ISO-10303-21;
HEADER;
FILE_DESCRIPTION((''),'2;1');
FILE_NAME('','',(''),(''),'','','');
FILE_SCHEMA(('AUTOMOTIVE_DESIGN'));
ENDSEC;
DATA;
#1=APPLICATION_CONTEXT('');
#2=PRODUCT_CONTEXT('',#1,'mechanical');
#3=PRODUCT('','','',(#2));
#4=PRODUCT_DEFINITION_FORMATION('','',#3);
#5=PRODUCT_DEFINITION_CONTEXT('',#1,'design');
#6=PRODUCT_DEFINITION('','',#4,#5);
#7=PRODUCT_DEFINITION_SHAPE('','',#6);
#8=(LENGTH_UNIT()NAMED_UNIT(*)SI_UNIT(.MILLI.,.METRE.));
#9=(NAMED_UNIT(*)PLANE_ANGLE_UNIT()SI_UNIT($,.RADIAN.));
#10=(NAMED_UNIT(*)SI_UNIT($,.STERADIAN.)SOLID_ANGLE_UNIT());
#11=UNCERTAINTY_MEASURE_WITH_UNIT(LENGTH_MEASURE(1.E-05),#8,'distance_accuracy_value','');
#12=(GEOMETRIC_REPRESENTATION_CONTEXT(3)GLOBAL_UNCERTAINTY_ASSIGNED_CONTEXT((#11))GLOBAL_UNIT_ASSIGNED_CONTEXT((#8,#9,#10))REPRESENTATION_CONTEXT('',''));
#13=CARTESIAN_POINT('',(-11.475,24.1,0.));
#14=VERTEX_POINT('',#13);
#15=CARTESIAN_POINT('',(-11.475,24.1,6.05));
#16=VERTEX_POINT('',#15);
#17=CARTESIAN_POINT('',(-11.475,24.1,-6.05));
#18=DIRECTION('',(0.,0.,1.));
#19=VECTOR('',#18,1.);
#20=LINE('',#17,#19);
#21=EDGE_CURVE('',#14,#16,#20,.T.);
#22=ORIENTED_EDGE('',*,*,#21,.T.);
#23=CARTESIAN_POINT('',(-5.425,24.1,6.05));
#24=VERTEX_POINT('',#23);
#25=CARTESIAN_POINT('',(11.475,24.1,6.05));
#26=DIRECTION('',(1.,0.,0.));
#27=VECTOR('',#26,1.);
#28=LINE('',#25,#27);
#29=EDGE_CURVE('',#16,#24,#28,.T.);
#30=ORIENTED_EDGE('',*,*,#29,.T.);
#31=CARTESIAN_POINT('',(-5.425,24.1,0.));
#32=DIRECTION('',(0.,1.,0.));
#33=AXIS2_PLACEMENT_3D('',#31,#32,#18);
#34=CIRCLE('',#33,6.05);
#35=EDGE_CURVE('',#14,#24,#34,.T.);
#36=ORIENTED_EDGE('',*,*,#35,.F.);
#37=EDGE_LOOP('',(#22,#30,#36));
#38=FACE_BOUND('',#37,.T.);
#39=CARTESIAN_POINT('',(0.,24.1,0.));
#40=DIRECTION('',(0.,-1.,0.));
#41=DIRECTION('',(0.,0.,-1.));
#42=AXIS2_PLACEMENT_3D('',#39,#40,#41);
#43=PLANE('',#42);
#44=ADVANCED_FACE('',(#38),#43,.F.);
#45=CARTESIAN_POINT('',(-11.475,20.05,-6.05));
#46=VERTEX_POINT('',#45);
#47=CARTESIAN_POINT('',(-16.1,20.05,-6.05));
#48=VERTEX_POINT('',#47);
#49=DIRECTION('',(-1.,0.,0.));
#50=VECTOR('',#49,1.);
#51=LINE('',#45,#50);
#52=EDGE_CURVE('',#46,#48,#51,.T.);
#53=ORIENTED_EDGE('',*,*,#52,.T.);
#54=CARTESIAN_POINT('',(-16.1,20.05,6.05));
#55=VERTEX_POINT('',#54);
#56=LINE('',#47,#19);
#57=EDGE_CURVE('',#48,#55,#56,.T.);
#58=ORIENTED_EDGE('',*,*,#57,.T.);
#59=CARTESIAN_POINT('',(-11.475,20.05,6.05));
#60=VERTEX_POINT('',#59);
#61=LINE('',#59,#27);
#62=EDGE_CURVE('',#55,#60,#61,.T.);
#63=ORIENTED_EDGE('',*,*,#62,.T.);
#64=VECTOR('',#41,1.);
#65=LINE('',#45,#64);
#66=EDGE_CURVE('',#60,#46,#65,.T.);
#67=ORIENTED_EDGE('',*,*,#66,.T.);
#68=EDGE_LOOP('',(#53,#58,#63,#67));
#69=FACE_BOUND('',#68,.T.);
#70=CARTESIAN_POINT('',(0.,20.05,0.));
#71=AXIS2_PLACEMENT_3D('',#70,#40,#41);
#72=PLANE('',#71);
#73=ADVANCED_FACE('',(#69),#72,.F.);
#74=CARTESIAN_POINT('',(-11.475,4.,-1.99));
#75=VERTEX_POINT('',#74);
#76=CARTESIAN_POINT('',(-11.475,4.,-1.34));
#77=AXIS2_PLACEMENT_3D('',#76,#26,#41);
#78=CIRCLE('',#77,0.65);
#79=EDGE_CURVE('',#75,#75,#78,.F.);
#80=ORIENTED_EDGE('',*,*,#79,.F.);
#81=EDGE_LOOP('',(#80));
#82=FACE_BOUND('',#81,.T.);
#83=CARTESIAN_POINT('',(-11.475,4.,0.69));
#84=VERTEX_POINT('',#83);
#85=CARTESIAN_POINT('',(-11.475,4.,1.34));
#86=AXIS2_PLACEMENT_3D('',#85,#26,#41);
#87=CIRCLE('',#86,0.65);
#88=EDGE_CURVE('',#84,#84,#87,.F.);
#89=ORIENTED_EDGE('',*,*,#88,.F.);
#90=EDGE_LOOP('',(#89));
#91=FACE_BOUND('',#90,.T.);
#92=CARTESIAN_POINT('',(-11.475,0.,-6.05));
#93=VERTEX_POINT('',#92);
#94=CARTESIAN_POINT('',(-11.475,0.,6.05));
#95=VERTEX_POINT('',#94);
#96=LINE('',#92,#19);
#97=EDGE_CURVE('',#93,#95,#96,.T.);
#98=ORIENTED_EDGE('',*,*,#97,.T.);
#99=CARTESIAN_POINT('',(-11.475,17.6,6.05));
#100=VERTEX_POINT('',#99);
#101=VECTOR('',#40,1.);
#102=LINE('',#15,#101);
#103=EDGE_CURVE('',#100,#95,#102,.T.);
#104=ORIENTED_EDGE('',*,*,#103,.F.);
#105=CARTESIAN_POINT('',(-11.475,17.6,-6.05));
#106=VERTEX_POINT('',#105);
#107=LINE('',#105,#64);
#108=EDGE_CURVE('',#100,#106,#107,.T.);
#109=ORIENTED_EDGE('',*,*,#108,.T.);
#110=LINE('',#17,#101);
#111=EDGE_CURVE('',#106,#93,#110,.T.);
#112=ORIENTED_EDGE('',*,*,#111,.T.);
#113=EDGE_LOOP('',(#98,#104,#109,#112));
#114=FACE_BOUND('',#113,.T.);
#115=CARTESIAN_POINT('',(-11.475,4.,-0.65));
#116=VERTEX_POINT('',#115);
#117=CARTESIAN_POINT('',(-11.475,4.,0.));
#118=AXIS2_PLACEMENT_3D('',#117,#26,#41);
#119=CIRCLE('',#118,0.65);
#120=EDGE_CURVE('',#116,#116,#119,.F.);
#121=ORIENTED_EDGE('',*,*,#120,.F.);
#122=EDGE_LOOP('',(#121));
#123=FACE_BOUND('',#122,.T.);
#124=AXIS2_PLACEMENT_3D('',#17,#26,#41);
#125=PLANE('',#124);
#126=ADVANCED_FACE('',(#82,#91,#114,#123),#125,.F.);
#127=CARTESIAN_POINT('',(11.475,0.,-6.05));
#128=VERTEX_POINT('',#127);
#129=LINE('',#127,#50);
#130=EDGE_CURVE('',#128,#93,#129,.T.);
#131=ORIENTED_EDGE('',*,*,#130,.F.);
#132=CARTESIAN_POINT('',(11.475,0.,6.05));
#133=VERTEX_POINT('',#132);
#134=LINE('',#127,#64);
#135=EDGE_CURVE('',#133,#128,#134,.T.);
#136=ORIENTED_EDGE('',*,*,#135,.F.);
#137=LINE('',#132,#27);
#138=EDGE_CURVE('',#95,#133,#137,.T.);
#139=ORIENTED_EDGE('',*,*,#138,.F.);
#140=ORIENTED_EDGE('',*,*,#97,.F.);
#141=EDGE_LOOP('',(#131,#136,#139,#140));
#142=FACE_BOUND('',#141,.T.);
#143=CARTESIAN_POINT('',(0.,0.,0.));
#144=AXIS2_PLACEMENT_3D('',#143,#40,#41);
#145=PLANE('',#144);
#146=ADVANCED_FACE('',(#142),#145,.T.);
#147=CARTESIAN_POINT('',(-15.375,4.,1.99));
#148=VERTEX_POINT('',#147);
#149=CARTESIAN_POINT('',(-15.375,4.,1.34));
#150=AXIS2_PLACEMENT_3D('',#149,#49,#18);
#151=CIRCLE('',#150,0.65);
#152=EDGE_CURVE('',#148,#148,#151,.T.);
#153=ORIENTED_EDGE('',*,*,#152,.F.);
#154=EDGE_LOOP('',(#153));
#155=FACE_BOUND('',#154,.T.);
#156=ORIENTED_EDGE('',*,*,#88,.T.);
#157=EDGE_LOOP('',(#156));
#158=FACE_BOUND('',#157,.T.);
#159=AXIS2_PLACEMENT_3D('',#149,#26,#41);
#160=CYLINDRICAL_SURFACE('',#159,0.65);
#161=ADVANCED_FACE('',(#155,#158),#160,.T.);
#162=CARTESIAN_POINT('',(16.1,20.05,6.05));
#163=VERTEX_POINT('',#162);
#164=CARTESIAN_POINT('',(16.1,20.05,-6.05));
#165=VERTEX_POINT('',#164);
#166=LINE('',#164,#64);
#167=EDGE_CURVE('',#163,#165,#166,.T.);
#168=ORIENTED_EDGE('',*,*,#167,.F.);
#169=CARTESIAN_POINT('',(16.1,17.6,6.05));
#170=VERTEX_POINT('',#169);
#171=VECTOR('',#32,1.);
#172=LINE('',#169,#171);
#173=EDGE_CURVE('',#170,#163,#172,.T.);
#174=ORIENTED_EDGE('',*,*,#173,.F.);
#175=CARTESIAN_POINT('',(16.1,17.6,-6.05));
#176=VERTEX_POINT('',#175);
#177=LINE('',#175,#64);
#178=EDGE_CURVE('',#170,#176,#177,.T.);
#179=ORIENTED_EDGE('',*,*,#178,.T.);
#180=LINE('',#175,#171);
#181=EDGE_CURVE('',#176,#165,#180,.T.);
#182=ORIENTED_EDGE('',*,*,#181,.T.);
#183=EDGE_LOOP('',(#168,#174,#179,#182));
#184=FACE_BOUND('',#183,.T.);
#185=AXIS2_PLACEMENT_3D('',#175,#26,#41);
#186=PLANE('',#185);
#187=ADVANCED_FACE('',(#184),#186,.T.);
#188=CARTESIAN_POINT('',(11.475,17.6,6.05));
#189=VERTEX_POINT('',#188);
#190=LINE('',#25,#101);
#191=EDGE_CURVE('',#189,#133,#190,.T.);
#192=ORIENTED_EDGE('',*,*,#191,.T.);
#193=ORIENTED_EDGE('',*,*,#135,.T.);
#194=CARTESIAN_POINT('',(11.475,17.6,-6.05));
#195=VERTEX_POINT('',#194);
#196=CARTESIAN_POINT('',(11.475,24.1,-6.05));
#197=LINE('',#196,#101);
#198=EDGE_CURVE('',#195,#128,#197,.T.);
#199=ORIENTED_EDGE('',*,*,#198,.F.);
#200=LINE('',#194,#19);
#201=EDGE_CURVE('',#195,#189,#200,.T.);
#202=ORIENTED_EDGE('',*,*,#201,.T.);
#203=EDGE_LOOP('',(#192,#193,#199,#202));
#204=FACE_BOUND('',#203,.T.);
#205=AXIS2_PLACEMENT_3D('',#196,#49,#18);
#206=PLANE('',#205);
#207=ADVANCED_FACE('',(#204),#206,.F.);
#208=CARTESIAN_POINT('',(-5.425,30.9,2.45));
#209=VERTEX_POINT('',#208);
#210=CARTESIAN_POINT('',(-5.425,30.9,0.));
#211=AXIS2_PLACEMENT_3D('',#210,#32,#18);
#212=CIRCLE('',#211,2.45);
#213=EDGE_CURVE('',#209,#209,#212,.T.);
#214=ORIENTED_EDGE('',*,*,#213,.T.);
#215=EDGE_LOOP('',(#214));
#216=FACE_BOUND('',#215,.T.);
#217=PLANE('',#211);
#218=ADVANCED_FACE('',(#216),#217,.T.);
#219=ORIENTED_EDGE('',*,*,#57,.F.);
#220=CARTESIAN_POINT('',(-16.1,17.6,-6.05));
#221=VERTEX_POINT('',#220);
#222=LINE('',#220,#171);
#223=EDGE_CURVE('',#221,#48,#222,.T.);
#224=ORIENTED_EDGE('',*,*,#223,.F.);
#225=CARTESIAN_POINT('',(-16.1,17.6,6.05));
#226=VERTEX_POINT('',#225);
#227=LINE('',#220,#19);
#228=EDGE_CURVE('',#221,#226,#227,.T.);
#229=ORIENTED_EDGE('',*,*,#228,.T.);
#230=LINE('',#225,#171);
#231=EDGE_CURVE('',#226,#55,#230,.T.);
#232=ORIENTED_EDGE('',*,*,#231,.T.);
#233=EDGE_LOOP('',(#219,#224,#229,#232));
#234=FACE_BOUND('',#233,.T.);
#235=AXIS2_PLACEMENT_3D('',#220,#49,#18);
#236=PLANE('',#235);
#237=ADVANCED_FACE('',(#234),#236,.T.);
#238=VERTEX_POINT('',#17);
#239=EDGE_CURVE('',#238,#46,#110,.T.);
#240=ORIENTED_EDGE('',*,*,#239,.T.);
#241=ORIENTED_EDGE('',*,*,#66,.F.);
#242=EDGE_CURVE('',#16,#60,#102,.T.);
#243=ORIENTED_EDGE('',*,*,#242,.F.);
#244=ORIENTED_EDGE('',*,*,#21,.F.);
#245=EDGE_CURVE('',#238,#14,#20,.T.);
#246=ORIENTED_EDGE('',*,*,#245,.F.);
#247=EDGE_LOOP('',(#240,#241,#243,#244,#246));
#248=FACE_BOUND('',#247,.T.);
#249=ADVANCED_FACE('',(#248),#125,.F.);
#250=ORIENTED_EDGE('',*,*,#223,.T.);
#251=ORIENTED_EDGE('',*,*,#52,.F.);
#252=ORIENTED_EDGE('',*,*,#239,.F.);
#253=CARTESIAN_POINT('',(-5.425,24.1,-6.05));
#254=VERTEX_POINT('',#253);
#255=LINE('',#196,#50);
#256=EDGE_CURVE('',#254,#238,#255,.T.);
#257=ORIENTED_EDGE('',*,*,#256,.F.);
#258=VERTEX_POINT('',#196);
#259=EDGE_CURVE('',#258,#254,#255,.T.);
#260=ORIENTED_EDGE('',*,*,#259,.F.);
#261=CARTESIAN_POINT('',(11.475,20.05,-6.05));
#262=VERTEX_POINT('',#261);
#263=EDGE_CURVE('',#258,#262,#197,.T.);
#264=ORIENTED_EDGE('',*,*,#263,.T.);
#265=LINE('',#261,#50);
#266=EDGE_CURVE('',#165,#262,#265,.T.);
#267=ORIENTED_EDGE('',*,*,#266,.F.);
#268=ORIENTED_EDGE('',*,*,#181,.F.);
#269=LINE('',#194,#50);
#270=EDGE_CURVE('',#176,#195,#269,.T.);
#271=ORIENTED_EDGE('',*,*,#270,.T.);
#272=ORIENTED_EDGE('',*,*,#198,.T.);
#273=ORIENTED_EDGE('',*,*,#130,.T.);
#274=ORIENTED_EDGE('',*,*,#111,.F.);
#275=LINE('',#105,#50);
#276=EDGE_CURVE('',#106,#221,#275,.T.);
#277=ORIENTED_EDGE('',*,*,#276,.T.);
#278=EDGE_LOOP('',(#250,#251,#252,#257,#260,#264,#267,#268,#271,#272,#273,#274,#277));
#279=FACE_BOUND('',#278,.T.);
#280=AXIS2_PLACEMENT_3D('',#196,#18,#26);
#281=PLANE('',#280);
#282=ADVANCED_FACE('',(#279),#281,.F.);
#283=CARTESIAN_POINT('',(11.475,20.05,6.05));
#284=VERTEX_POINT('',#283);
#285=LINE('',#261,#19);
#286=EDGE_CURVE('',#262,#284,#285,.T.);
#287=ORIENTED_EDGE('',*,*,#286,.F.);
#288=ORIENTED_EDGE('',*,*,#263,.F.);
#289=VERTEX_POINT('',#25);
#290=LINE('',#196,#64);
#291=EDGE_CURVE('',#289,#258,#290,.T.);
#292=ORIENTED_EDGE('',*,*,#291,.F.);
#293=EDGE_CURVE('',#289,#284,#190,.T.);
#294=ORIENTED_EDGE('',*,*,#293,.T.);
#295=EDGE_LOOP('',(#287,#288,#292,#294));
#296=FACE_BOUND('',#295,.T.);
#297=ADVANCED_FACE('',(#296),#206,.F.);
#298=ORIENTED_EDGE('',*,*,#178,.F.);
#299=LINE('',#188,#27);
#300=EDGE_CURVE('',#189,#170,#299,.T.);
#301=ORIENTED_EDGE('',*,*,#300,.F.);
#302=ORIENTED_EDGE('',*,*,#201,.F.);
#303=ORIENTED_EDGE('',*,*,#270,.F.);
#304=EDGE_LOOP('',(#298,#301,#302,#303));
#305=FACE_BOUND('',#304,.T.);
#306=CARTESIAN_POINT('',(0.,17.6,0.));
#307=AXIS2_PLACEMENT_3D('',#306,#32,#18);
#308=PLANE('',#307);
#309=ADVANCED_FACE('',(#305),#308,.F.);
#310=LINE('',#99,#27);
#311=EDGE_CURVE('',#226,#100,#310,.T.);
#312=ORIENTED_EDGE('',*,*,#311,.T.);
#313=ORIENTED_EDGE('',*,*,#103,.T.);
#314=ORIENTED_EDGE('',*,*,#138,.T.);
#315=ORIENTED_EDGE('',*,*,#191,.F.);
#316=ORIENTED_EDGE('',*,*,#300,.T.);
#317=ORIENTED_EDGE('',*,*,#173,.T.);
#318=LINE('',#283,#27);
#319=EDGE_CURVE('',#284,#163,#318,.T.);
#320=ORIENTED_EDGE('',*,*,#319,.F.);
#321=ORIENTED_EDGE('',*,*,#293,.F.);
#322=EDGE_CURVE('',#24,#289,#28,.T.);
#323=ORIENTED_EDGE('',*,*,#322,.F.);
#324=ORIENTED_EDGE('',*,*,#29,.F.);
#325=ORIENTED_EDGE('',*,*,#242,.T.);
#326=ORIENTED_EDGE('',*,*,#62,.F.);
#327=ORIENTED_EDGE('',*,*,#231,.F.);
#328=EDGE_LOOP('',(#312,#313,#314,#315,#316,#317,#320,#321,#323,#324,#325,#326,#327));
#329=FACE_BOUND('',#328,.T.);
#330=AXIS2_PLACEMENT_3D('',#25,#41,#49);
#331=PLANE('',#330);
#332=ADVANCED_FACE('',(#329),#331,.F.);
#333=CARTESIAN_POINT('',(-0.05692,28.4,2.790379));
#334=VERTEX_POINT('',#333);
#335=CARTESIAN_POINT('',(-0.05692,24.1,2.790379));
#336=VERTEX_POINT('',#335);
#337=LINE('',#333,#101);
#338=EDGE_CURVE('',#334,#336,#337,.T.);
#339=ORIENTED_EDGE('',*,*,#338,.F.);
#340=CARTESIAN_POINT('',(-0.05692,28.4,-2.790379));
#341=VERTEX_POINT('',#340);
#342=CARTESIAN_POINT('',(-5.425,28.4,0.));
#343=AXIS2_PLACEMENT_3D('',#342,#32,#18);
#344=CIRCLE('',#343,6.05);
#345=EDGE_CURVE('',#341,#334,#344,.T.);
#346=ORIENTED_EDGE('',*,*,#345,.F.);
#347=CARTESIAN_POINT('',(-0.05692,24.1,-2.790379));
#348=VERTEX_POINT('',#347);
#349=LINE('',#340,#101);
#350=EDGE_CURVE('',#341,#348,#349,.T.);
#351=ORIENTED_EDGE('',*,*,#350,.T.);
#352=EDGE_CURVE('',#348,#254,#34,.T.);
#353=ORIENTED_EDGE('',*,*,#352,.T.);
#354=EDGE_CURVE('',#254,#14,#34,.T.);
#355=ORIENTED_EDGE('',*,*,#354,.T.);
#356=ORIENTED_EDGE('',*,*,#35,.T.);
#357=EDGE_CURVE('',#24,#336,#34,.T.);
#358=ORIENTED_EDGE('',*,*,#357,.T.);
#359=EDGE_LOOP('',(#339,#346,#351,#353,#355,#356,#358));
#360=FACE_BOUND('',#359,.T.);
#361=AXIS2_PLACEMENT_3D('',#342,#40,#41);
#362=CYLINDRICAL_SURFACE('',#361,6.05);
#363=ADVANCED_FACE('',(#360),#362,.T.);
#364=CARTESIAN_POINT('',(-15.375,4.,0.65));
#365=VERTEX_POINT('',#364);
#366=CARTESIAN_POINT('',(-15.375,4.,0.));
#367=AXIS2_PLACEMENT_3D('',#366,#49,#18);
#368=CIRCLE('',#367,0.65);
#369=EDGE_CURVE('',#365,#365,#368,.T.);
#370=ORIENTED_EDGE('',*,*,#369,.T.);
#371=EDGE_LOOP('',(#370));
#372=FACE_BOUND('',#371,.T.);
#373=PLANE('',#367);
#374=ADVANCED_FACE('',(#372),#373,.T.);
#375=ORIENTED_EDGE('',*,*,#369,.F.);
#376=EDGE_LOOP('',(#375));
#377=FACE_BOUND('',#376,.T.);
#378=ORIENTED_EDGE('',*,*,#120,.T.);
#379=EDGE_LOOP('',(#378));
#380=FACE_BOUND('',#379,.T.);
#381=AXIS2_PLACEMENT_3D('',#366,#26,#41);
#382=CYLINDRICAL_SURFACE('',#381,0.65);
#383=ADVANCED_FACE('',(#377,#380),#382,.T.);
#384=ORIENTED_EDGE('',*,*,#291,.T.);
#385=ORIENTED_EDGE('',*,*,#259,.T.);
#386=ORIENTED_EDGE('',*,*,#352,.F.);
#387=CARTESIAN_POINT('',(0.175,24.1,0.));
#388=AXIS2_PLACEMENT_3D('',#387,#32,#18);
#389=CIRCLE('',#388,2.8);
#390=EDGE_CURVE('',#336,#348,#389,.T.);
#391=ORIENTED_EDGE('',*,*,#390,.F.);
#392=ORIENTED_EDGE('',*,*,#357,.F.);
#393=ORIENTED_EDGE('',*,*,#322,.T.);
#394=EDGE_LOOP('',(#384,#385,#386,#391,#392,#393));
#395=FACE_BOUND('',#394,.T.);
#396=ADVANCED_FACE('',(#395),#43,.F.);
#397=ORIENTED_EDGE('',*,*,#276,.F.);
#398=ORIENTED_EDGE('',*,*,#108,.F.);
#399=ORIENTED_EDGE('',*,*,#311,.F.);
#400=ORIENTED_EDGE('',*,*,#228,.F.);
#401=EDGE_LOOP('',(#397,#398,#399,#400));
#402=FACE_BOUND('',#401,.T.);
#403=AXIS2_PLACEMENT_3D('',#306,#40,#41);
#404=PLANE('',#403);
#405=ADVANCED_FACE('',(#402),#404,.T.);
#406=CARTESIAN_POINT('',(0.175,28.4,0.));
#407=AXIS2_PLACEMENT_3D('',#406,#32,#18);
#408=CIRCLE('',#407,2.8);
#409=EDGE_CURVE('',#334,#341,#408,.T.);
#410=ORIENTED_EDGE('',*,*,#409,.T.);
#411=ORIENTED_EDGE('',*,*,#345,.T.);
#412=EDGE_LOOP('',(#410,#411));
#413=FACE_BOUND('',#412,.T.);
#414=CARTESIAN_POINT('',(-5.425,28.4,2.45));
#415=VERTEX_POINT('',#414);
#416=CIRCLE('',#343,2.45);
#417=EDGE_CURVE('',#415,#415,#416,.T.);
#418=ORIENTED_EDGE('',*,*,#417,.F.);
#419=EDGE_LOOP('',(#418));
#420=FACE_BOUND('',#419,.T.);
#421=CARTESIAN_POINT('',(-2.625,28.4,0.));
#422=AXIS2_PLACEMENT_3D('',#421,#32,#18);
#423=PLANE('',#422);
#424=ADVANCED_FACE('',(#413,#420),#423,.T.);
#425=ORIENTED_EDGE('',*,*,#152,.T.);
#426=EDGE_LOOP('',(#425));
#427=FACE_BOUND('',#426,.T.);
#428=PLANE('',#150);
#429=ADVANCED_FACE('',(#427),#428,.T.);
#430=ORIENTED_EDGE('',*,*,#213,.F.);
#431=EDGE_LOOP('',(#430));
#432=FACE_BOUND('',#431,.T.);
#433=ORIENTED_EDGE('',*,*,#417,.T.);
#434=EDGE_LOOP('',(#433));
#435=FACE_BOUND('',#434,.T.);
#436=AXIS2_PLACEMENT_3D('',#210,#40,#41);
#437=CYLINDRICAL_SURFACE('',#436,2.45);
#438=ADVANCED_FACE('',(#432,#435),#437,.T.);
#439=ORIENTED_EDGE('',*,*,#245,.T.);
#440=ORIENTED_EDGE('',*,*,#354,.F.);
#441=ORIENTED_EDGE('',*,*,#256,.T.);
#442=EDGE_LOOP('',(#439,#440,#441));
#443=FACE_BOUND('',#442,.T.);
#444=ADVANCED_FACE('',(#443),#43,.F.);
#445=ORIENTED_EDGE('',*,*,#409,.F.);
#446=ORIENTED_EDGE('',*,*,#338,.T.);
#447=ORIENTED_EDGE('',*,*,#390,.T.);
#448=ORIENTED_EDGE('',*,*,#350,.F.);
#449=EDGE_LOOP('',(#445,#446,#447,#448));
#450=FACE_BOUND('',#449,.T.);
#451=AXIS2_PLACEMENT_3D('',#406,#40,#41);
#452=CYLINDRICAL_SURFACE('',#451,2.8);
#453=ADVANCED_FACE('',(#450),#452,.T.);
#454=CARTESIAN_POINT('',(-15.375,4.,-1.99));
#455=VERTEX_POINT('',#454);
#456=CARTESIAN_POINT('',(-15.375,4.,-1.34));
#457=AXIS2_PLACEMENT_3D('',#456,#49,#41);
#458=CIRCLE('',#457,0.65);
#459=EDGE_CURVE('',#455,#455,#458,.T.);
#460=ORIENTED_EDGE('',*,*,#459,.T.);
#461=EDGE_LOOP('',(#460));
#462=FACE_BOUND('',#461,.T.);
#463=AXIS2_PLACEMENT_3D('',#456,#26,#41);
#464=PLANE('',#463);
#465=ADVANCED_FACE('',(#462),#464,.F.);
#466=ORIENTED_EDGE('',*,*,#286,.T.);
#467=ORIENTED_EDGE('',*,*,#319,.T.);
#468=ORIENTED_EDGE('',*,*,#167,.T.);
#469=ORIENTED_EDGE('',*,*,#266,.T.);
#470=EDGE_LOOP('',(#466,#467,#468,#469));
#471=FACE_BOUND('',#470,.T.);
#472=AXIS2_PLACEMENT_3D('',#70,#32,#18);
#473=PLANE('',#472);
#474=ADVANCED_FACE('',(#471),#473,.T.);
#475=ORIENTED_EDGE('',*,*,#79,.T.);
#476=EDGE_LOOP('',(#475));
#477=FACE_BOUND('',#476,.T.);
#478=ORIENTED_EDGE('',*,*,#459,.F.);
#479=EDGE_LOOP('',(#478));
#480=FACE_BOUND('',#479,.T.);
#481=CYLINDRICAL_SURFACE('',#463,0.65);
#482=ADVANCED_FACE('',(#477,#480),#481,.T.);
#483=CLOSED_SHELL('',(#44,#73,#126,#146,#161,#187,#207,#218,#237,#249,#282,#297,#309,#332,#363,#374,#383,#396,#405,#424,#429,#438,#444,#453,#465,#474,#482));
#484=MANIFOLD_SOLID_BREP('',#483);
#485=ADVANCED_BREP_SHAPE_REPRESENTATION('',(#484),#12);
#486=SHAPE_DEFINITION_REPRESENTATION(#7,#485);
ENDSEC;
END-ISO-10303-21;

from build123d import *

# Parameters (mm, degrees)
SKETCH1_W           = 22.95
SKETCH1_H           = 12.1
BOSS_EXTRUDE1_DEPTH = 24.1
BOSS_EXTRUDE2_DEPTH = 4.3
SKETCH3_W           = 4.625
SKETCH3_H           = 12.1
BOSS_EXTRUDE3_DEPTH = 2.45
SKETCH4_R           = 2.45
BOSS_EXTRUDE4_DEPTH = 2.5
SKETCH5_R           = 0.65
BOSS_EXTRUDE7_DEPTH = 3.9


with BuildPart() as part:
    # Sketch1 → Boss-Extrude1 (new body)
    with BuildSketch(Plane(origin=(0, 0, 0), x_dir=(1, 0, 0), z_dir=(0, 1, 0))):
        Rectangle(SKETCH1_W, SKETCH1_H)
    extrude(amount=BOSS_EXTRUDE1_DEPTH)

    # Sketch2 → Boss-Extrude2 (add)
    with BuildSketch(Plane(origin=(0, 24.1, 0), x_dir=(1, 0, 0), z_dir=(0, 1, 0))):
        with BuildLine():
            ThreePointArc((-0.056919643, 2.790378698), (-11.475, 0), (-0.056919643, -2.790378698))
            ThreePointArc((-0.056919643, -2.790378698), (2.975, 0), (-0.056919643, 2.790378698))
        make_face()
    extrude(amount=BOSS_EXTRUDE2_DEPTH)

    # Sketch3 → Boss-Extrude3 (add)
    with BuildSketch(Plane(origin=(0, 20.05, 0), x_dir=(1, 0, 0), z_dir=(0, 1, 0))):
        with Locations((-13.7875, 0)):
            Rectangle(SKETCH3_W, SKETCH3_H)
        with Locations((13.7875, 0)):
            Rectangle(SKETCH3_W, SKETCH3_H)
    extrude(amount=-BOSS_EXTRUDE3_DEPTH)

    # Sketch4 → Boss-Extrude4 (add)
    with BuildSketch(Plane(origin=(0, 28.4, 0), x_dir=(1, 0, 0), z_dir=(0, 1, 0))):
        with Locations((-5.425, 0)):
            Circle(SKETCH4_R)
    extrude(amount=BOSS_EXTRUDE4_DEPTH)

    # Sketch5 → Boss-Extrude7 (add)
    with BuildSketch(Plane.ZY.offset(11.475)):
        with Locations((0, 4)):
            Circle(SKETCH5_R)
        with Locations((1.34, 4)):
            Circle(SKETCH5_R)
        with Locations((-1.34, 4)):
            Circle(SKETCH5_R)
    extrude(amount=BOSS_EXTRUDE7_DEPTH)


solid = part.part
